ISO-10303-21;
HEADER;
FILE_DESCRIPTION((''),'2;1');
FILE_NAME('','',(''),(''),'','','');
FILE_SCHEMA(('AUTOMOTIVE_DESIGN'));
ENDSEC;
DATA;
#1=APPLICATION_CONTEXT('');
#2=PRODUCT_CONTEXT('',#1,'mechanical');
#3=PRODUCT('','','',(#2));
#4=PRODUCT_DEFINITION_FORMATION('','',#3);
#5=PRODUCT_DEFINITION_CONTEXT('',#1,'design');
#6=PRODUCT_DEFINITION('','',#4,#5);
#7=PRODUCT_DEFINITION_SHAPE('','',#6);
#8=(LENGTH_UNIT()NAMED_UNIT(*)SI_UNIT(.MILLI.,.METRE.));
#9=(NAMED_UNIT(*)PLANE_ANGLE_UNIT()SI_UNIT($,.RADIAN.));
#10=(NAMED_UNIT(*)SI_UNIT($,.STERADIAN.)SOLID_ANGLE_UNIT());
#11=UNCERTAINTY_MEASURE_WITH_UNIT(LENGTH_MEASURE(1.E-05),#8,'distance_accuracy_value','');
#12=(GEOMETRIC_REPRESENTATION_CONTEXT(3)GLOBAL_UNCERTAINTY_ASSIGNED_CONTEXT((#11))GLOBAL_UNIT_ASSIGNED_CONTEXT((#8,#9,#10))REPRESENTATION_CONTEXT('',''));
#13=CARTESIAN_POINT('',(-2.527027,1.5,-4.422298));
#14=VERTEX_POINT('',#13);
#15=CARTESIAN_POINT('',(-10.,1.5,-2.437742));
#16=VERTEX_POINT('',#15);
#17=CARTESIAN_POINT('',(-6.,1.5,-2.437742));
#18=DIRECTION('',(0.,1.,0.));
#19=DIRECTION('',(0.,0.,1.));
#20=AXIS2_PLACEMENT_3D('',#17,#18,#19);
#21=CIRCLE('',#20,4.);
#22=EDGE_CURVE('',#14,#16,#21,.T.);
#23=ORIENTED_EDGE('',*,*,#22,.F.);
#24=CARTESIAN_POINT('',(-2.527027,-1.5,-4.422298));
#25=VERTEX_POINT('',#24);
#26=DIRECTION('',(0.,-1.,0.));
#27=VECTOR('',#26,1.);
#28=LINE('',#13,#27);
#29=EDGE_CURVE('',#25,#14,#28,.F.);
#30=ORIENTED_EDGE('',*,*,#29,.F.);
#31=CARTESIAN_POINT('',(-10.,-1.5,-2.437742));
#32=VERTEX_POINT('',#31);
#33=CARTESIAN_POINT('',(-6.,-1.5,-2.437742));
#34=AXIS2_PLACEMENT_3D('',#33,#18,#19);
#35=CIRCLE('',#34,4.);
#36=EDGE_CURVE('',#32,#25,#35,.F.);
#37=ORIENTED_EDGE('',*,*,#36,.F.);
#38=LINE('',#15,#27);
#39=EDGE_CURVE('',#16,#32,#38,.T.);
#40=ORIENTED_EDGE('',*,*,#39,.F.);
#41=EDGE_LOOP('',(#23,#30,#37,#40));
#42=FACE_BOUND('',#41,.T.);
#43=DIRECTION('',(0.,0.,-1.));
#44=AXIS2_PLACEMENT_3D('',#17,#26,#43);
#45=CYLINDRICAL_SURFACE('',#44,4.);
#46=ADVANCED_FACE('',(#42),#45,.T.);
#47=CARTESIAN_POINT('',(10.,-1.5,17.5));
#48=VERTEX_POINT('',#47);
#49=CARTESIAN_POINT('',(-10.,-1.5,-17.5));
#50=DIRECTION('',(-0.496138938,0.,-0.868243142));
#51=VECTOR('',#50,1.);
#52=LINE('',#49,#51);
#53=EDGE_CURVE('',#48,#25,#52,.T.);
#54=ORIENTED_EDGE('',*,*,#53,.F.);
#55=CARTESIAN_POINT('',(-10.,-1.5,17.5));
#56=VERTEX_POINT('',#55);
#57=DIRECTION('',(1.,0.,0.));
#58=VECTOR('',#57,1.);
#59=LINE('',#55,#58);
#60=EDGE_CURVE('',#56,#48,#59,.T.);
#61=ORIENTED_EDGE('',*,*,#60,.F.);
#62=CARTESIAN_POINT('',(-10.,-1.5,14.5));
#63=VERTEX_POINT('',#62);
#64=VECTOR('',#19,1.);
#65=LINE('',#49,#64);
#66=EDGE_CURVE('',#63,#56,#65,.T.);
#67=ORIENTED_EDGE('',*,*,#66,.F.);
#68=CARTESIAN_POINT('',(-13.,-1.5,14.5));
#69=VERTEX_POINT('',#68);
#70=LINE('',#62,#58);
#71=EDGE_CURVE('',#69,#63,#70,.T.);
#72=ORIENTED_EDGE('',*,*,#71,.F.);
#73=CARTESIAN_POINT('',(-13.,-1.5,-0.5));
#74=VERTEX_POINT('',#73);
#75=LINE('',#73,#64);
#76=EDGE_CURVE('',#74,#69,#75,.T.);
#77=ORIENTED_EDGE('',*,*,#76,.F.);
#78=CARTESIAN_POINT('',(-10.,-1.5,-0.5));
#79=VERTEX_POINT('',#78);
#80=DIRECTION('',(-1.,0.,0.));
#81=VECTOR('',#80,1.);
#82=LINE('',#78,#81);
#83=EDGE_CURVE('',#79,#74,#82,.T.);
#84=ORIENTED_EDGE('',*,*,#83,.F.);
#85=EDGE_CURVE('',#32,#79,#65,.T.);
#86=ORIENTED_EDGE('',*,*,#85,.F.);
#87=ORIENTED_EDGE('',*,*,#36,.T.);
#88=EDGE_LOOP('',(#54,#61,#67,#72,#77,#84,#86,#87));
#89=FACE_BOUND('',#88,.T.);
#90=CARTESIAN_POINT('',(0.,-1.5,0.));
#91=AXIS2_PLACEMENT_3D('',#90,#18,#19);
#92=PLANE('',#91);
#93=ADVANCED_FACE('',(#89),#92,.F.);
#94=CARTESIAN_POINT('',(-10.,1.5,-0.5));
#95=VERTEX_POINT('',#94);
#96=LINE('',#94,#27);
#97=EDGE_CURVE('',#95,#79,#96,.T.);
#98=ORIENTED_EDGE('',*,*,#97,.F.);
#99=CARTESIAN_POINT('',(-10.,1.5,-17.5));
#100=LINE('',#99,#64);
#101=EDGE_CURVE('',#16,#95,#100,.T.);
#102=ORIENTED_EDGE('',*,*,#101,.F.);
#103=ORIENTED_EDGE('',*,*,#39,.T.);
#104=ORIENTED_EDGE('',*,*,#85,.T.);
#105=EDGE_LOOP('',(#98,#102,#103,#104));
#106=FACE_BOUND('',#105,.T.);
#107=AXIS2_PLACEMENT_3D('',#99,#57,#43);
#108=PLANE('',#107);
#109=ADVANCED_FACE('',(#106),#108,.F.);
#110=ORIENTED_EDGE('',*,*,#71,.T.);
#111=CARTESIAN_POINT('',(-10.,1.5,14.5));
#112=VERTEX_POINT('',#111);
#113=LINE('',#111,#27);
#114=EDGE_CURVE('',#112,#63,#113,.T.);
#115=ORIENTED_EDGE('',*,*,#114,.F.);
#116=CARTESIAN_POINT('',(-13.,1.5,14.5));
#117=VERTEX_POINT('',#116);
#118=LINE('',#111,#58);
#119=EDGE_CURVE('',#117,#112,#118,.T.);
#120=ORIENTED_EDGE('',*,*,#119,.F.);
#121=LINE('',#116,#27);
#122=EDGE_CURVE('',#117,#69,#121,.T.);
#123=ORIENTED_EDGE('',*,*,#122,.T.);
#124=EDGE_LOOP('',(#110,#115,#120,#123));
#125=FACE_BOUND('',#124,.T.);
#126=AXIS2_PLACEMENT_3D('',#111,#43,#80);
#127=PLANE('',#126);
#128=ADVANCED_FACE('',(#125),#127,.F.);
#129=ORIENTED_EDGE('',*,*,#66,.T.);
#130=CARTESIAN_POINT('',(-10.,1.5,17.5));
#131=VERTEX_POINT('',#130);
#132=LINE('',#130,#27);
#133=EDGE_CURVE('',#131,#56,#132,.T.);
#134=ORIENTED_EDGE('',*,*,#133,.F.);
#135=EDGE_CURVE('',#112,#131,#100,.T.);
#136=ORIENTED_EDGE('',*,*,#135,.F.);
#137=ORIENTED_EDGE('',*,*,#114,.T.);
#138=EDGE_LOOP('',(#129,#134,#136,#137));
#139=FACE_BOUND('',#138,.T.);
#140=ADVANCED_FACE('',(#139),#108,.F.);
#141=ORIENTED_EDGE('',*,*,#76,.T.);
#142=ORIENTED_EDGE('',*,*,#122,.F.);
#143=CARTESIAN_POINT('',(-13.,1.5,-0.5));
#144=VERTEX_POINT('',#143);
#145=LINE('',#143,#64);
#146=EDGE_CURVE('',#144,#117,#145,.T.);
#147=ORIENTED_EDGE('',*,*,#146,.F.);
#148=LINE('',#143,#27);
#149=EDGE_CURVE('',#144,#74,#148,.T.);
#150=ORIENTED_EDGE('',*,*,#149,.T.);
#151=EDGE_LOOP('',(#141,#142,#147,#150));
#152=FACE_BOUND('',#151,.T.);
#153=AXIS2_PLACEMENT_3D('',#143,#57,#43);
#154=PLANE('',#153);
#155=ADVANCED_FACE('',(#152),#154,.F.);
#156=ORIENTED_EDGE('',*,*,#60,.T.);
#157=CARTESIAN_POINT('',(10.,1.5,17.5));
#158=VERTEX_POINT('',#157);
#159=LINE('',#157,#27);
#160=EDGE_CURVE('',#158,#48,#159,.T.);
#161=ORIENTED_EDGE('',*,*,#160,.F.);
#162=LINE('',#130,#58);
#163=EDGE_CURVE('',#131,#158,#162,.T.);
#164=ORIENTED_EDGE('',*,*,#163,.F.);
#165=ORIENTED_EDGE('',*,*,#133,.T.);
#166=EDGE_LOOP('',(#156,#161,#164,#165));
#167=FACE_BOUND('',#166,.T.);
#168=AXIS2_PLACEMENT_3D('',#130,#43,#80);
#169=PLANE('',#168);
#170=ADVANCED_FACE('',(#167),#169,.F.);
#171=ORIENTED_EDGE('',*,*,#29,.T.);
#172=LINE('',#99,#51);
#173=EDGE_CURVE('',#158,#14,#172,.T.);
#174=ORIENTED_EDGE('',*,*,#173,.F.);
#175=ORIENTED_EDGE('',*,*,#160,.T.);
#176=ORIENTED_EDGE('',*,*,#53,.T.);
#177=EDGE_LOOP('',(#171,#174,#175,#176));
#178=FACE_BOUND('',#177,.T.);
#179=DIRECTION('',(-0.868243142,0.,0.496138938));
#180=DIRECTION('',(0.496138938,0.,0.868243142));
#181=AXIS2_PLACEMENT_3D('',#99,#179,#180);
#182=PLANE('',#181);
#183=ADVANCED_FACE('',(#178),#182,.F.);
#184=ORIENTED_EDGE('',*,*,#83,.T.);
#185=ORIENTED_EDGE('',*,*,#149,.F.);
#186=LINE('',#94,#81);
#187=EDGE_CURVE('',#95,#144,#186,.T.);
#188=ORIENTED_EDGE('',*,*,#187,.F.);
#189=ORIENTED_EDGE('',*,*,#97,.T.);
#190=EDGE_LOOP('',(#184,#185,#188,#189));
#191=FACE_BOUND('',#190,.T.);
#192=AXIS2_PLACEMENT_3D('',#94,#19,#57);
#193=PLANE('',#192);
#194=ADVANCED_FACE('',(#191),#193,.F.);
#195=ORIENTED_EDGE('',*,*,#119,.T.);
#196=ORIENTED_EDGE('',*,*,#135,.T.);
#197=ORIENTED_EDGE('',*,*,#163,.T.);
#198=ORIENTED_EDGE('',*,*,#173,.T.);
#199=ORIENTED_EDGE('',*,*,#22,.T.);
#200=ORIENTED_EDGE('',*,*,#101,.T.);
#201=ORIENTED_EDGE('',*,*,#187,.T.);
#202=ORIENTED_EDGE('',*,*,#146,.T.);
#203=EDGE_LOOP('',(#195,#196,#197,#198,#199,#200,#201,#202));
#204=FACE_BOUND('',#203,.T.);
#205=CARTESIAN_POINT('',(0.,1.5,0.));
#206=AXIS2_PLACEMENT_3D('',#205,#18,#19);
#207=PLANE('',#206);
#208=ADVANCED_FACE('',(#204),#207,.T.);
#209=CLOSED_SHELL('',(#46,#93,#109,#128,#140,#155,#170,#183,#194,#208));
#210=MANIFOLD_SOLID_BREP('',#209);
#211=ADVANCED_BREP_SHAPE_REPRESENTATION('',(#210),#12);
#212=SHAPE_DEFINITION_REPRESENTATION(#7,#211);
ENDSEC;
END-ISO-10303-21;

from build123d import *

# Parameters (mm, degrees)
BOSS_EXTRUDE1_DEPTH = 1.5
SKETCH2_W           = 3
SKETCH2_H           = 15
BOSS_EXTRUDE2_DEPTH = 1.5
FILLET1_R           = 4


with BuildPart() as part:
    # Sketch1 → Boss-Extrude1 (new, symmetric)
    with BuildSketch(Plane(origin=(0, 0, 0), x_dir=(1, 0, 0), z_dir=(0, 1, 0))):
        Polygon((-10, 17.5), (10, -17.5), (-10, -17.5), align=None)
    extrude(amount=BOSS_EXTRUDE1_DEPTH, both=True)

    # Sketch2 → Boss-Extrude2 (add, symmetric)
    with BuildSketch(Plane(origin=(0, 0, 0), x_dir=(1, 0, 0), z_dir=(0, 1, 0))):
        with Locations((-11.5, -7)):
            Rectangle(SKETCH2_W, SKETCH2_H)
    extrude(amount=BOSS_EXTRUDE2_DEPTH, both=True)

    # Fillet1
    fillet1_edges = [part.edges().sort_by_distance(p)[0] for p in [
        (-10, 0, -17.5),
    ]]
    fillet(fillet1_edges, radius=FILLET1_R)


solid = part.part
